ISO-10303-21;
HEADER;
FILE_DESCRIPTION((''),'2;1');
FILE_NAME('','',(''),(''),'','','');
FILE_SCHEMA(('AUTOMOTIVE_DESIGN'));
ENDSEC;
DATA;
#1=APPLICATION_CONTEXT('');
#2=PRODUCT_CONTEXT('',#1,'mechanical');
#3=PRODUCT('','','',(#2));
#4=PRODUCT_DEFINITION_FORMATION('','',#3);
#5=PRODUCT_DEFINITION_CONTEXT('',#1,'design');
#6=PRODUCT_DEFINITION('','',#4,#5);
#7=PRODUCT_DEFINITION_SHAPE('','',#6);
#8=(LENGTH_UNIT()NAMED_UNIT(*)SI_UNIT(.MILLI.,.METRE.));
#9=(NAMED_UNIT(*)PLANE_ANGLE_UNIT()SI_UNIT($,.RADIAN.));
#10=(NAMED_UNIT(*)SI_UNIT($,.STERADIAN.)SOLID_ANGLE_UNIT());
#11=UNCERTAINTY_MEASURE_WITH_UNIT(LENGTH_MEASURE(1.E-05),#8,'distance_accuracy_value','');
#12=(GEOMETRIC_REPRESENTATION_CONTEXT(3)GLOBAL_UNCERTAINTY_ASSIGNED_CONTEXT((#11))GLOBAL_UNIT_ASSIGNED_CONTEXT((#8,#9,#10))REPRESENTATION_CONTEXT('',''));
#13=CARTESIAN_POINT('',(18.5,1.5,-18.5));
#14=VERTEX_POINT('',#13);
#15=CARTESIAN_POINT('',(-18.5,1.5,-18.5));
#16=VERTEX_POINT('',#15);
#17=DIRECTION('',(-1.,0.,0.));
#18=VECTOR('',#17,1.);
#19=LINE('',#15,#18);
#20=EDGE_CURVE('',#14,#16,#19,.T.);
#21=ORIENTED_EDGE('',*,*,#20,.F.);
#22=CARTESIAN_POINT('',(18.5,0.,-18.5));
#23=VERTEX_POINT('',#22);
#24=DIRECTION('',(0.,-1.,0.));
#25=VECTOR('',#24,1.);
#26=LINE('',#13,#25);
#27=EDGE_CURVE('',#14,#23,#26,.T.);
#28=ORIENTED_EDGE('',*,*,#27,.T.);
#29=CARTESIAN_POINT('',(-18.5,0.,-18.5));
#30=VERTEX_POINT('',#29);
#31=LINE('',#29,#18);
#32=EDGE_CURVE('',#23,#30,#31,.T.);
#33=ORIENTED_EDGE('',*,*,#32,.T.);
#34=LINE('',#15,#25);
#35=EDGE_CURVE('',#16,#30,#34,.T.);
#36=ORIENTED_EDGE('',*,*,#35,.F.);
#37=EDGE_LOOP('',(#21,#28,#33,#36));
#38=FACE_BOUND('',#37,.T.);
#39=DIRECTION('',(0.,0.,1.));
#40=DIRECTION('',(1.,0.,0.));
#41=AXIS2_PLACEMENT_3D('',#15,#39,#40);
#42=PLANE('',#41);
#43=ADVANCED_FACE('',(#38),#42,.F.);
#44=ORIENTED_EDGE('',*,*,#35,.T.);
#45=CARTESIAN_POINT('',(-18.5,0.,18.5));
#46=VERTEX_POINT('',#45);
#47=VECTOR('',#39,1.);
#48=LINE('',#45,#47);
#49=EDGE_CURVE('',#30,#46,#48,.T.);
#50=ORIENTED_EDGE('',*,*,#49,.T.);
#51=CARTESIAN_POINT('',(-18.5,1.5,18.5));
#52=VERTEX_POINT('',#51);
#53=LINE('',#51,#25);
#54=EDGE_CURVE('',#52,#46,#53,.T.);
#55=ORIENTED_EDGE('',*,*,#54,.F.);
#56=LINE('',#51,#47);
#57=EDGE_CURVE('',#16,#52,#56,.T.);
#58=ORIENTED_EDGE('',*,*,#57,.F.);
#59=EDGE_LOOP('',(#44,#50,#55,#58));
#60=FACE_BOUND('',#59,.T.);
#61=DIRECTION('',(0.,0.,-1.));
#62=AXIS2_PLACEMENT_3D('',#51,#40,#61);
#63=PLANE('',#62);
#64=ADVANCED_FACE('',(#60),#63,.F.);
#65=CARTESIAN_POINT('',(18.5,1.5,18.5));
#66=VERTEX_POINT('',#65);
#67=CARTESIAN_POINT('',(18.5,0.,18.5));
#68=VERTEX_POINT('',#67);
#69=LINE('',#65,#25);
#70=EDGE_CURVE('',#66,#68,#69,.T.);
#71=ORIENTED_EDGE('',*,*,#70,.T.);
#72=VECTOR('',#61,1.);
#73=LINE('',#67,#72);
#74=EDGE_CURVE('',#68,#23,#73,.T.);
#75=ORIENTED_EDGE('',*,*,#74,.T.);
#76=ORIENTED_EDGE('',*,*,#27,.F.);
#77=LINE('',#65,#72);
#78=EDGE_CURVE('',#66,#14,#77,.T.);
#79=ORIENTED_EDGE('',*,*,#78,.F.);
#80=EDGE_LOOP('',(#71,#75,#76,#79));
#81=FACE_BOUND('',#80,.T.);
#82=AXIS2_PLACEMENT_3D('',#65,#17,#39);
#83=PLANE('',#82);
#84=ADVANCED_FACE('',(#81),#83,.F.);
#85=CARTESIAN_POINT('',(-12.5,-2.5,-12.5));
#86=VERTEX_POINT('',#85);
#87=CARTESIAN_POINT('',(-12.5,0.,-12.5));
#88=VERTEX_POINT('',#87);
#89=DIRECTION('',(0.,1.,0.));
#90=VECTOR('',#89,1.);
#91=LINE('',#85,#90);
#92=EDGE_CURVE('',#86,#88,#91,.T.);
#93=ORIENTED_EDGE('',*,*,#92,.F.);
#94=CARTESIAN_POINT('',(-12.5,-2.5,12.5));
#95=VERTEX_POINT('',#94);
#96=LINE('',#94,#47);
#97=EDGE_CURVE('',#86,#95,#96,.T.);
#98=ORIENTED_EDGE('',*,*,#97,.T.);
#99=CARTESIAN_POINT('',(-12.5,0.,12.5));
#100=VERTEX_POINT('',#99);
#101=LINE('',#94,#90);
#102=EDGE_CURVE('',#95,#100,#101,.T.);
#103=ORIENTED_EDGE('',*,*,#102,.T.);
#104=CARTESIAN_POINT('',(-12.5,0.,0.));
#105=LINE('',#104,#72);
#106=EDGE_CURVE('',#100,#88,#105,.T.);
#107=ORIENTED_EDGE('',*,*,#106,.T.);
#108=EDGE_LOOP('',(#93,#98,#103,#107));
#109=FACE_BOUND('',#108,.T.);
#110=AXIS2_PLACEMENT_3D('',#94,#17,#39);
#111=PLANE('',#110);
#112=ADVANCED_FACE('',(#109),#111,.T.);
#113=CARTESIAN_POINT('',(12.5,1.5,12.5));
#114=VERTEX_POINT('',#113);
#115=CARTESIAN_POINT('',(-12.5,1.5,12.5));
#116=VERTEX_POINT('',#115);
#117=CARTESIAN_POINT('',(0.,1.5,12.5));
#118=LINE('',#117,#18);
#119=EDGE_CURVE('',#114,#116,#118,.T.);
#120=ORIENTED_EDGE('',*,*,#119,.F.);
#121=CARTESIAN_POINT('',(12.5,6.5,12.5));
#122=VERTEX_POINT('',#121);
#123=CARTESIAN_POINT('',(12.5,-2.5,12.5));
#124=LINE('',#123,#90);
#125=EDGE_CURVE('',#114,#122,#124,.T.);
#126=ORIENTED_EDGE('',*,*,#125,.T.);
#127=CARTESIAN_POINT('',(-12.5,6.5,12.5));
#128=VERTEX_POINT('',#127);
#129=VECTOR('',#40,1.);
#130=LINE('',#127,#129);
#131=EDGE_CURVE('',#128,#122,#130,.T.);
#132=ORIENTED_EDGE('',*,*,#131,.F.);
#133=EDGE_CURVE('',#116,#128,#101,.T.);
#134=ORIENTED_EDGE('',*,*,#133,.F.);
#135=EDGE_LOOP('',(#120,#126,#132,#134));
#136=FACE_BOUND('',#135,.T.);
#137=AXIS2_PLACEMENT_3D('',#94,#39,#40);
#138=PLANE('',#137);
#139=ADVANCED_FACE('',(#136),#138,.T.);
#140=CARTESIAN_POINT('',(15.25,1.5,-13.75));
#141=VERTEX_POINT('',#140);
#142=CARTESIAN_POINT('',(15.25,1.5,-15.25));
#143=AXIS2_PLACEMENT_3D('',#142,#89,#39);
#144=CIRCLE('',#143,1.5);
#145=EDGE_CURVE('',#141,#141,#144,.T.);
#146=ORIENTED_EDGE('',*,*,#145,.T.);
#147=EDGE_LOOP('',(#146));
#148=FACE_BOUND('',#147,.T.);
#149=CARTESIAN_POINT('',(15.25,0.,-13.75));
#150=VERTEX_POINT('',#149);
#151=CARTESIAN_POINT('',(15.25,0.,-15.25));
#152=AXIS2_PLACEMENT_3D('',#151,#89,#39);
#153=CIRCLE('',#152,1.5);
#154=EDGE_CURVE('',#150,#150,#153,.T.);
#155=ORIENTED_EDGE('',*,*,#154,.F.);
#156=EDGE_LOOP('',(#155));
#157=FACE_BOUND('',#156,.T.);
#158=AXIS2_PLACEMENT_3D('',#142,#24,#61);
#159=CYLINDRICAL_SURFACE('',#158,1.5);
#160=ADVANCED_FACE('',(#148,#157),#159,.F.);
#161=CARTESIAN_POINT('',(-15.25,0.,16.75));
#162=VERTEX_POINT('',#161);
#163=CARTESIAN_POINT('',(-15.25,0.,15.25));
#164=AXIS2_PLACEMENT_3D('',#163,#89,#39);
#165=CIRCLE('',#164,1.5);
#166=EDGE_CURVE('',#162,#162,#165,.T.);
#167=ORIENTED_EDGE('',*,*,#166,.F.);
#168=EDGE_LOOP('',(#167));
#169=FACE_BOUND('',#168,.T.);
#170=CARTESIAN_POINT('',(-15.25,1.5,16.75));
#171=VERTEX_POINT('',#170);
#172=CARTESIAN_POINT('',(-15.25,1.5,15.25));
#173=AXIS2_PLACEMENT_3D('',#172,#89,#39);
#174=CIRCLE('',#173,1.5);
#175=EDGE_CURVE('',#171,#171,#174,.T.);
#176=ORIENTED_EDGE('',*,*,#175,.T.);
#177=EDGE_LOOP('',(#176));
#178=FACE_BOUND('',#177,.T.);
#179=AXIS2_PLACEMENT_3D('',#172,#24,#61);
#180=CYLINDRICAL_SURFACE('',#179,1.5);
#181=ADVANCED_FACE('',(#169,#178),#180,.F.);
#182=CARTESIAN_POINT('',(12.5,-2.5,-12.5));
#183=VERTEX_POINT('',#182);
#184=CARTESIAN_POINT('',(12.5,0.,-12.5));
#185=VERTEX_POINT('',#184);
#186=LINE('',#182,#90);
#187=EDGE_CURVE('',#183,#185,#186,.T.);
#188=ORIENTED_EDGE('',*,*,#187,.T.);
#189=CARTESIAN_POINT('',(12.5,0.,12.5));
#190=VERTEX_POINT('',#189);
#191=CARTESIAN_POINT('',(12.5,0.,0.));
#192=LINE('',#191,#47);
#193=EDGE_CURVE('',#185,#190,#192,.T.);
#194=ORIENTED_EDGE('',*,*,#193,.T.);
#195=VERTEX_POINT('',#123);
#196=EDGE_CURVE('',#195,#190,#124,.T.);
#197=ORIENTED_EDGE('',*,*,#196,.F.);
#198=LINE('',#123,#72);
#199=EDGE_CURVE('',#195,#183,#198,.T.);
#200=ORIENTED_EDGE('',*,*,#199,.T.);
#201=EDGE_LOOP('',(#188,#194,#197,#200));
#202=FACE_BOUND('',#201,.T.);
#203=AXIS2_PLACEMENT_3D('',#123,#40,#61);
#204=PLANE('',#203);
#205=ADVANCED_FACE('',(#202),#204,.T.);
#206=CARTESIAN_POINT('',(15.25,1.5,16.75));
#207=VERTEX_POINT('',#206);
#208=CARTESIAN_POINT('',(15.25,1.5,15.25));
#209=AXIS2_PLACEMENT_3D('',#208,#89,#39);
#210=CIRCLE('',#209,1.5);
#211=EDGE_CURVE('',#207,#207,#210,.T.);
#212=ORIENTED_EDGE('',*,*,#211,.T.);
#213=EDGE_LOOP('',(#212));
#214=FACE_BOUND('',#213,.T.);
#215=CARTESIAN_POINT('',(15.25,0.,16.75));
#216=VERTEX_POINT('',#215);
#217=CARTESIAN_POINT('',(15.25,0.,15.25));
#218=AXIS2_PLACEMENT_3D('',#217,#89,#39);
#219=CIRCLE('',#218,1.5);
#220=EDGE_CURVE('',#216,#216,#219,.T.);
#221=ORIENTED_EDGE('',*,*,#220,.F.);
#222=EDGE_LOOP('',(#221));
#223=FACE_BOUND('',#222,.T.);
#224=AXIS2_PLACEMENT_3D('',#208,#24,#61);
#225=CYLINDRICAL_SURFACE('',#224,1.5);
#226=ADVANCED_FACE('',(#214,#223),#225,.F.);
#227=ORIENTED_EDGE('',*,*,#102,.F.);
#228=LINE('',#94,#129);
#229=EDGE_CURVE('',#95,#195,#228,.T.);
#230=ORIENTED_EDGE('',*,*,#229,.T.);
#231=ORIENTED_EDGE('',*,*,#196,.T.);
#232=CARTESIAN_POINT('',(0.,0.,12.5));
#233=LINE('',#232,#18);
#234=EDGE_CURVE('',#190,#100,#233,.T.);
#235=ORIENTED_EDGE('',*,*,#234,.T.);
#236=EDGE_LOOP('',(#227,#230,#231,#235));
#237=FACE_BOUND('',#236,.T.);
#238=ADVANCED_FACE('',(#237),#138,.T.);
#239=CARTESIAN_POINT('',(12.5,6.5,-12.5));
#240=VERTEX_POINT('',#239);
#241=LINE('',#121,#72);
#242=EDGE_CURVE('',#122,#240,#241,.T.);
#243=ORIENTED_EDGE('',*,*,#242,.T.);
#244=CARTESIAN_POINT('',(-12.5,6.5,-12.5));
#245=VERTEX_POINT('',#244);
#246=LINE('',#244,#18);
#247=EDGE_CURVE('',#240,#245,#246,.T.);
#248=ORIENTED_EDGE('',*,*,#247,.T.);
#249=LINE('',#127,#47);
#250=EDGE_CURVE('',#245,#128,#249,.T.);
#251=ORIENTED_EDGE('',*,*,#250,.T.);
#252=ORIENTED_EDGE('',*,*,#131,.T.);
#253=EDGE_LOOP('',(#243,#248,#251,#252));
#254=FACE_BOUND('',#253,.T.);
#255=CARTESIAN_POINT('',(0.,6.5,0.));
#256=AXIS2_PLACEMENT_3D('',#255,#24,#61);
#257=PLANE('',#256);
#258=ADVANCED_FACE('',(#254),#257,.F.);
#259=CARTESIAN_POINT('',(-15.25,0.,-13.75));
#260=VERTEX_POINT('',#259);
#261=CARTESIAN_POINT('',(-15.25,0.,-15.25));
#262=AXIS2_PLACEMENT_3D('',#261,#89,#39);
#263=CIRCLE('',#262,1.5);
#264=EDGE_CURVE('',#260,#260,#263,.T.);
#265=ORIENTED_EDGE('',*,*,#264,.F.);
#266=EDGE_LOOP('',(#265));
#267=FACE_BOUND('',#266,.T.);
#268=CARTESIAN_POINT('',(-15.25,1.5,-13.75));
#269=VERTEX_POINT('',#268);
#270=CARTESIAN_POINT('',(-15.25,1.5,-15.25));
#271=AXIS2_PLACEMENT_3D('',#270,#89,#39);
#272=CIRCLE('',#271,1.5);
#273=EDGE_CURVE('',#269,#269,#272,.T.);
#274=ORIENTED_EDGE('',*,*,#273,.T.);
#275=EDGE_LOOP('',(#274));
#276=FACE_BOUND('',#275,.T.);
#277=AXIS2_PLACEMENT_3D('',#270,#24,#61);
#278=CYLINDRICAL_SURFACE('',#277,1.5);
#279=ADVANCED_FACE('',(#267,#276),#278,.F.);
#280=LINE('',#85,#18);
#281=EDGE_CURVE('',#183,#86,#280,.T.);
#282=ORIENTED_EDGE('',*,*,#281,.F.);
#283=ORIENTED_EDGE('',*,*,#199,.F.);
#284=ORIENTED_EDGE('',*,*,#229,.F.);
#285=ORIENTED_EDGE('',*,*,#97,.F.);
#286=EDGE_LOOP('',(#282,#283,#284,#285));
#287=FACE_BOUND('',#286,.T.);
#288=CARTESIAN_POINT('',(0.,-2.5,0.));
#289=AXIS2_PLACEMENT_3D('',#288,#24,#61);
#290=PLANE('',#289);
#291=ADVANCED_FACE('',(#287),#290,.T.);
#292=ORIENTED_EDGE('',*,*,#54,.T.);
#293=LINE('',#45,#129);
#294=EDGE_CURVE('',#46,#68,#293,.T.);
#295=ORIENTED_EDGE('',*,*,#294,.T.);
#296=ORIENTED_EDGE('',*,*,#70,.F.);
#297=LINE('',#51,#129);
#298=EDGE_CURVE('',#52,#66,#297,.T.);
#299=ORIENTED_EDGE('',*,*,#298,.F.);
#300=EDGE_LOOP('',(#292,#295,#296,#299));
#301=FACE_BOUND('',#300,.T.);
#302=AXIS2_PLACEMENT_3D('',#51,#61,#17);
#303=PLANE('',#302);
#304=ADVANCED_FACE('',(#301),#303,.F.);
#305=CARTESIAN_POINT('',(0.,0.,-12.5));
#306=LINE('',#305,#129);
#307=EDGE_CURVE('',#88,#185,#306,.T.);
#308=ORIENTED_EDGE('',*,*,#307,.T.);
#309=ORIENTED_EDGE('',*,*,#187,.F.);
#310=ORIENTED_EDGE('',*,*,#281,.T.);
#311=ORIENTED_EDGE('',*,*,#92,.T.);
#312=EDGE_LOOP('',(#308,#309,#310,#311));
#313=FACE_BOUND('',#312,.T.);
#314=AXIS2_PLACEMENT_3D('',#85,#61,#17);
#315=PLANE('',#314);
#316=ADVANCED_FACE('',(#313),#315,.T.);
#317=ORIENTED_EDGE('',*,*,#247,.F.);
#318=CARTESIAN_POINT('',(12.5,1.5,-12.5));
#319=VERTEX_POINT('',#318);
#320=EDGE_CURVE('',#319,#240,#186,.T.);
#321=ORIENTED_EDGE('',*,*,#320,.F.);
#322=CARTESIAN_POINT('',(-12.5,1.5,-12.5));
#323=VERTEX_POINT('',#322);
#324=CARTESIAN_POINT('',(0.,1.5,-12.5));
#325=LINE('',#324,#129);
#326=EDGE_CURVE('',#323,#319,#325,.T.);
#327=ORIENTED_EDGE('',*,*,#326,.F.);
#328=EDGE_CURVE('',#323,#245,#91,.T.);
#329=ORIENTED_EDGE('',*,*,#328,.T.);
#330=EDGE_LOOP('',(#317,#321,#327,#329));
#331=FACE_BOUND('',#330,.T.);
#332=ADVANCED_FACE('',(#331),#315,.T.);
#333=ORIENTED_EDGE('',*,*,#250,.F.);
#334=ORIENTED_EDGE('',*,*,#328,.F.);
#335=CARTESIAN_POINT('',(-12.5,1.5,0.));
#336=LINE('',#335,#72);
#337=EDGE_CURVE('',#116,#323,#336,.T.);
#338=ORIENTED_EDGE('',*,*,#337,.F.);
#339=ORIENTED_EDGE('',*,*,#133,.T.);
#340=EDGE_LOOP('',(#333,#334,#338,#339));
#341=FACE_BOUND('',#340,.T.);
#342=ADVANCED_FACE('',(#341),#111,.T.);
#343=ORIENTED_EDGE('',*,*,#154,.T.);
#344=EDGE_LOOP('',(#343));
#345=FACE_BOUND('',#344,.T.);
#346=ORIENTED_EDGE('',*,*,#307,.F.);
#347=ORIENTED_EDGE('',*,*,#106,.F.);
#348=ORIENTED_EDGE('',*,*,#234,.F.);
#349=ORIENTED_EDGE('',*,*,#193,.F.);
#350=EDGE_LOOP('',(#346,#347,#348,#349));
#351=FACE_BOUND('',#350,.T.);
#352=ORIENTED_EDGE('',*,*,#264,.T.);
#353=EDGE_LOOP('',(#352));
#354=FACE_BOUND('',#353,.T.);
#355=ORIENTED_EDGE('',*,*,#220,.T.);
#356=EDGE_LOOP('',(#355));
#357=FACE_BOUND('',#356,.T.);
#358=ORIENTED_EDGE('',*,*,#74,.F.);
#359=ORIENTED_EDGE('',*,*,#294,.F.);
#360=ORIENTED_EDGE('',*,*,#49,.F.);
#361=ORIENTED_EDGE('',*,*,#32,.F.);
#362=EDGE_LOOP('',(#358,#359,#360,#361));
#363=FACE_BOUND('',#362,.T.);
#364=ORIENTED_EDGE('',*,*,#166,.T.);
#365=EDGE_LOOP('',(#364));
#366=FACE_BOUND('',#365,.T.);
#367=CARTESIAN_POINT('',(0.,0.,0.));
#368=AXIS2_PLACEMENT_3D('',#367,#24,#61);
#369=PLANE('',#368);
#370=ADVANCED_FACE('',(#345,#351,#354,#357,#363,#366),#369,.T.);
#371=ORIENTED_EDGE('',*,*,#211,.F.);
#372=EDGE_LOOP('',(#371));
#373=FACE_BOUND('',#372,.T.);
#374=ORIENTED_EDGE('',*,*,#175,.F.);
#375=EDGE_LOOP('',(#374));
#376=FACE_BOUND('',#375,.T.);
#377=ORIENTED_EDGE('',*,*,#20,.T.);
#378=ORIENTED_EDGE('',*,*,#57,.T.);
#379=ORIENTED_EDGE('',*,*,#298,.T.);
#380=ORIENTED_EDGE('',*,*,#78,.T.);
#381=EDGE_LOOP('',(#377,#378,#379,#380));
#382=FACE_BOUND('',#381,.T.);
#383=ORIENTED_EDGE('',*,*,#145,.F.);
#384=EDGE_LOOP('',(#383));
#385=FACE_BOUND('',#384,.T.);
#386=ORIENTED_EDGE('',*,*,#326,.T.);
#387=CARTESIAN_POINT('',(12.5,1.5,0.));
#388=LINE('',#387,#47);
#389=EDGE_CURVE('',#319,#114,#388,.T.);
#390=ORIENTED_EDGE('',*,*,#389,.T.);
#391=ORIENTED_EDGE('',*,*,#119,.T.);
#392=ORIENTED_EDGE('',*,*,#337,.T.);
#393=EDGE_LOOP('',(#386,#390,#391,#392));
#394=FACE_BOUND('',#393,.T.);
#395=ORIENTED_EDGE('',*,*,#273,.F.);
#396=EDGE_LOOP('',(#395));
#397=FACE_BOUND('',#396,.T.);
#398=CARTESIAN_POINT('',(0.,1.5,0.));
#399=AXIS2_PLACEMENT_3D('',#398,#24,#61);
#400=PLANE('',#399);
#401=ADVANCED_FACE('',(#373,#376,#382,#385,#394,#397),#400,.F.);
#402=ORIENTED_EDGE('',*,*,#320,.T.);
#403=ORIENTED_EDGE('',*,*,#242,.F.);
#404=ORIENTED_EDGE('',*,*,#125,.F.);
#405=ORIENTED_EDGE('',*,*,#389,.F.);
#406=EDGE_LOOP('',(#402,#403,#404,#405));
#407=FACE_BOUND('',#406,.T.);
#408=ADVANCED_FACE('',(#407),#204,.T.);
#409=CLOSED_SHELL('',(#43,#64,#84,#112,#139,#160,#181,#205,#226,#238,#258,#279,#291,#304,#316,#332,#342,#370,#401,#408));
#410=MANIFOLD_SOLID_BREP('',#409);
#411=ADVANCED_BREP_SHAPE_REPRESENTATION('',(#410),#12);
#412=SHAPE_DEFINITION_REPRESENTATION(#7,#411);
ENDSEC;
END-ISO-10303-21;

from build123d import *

# Parameters (mm, degrees)
SKETCH_1_W           = 37
SKETCH_1_H           = 37
SKETCH_1_R           = 1.5
EXTRUDE_1_DEPTH      = 1.5
EXTRUDE_2_DEPTH      = 5
EXTRUDE_2_DEPTH_BACK = 4
SKETCH_2_W           = 25
SKETCH_2_H           = 25


with BuildPart() as part:
    # 草图1 → 凸台-拉伸1 (new body)
    with BuildSketch(Plane(origin=(0, 0, 0), x_dir=(1, 0, 0), z_dir=(0, 1, 0))):
        Rectangle(SKETCH_1_W, SKETCH_1_H)
        with Locations(Location((-15.25, 15.25, 0), (0, 0, 270))):
            Circle(SKETCH_1_R, mode=Mode.SUBTRACT)
        with Locations(Location((15.25, 15.25, 0), (0, 0, 270))):
            Circle(SKETCH_1_R, mode=Mode.SUBTRACT)
        with Locations(Location((15.25, -15.25, 0), (0, 0, 270))):
            Circle(SKETCH_1_R, mode=Mode.SUBTRACT)
        with Locations(Location((-15.25, -15.25, 0), (0, 0, 270))):
            Circle(SKETCH_1_R, mode=Mode.SUBTRACT)
    extrude(amount=EXTRUDE_1_DEPTH)

    # 草图2 → 凸台-拉伸2 (add, two sides: drawn at the far end of the back side and taken through both)
    with BuildSketch(Plane(origin=(0, 1.5, 0), x_dir=(1, 0, 0), z_dir=(0, 1, 0)).offset(-EXTRUDE_2_DEPTH_BACK)):
        Rectangle(SKETCH_2_W, SKETCH_2_H)
    extrude(amount=EXTRUDE_2_DEPTH + EXTRUDE_2_DEPTH_BACK)


solid = part.part
